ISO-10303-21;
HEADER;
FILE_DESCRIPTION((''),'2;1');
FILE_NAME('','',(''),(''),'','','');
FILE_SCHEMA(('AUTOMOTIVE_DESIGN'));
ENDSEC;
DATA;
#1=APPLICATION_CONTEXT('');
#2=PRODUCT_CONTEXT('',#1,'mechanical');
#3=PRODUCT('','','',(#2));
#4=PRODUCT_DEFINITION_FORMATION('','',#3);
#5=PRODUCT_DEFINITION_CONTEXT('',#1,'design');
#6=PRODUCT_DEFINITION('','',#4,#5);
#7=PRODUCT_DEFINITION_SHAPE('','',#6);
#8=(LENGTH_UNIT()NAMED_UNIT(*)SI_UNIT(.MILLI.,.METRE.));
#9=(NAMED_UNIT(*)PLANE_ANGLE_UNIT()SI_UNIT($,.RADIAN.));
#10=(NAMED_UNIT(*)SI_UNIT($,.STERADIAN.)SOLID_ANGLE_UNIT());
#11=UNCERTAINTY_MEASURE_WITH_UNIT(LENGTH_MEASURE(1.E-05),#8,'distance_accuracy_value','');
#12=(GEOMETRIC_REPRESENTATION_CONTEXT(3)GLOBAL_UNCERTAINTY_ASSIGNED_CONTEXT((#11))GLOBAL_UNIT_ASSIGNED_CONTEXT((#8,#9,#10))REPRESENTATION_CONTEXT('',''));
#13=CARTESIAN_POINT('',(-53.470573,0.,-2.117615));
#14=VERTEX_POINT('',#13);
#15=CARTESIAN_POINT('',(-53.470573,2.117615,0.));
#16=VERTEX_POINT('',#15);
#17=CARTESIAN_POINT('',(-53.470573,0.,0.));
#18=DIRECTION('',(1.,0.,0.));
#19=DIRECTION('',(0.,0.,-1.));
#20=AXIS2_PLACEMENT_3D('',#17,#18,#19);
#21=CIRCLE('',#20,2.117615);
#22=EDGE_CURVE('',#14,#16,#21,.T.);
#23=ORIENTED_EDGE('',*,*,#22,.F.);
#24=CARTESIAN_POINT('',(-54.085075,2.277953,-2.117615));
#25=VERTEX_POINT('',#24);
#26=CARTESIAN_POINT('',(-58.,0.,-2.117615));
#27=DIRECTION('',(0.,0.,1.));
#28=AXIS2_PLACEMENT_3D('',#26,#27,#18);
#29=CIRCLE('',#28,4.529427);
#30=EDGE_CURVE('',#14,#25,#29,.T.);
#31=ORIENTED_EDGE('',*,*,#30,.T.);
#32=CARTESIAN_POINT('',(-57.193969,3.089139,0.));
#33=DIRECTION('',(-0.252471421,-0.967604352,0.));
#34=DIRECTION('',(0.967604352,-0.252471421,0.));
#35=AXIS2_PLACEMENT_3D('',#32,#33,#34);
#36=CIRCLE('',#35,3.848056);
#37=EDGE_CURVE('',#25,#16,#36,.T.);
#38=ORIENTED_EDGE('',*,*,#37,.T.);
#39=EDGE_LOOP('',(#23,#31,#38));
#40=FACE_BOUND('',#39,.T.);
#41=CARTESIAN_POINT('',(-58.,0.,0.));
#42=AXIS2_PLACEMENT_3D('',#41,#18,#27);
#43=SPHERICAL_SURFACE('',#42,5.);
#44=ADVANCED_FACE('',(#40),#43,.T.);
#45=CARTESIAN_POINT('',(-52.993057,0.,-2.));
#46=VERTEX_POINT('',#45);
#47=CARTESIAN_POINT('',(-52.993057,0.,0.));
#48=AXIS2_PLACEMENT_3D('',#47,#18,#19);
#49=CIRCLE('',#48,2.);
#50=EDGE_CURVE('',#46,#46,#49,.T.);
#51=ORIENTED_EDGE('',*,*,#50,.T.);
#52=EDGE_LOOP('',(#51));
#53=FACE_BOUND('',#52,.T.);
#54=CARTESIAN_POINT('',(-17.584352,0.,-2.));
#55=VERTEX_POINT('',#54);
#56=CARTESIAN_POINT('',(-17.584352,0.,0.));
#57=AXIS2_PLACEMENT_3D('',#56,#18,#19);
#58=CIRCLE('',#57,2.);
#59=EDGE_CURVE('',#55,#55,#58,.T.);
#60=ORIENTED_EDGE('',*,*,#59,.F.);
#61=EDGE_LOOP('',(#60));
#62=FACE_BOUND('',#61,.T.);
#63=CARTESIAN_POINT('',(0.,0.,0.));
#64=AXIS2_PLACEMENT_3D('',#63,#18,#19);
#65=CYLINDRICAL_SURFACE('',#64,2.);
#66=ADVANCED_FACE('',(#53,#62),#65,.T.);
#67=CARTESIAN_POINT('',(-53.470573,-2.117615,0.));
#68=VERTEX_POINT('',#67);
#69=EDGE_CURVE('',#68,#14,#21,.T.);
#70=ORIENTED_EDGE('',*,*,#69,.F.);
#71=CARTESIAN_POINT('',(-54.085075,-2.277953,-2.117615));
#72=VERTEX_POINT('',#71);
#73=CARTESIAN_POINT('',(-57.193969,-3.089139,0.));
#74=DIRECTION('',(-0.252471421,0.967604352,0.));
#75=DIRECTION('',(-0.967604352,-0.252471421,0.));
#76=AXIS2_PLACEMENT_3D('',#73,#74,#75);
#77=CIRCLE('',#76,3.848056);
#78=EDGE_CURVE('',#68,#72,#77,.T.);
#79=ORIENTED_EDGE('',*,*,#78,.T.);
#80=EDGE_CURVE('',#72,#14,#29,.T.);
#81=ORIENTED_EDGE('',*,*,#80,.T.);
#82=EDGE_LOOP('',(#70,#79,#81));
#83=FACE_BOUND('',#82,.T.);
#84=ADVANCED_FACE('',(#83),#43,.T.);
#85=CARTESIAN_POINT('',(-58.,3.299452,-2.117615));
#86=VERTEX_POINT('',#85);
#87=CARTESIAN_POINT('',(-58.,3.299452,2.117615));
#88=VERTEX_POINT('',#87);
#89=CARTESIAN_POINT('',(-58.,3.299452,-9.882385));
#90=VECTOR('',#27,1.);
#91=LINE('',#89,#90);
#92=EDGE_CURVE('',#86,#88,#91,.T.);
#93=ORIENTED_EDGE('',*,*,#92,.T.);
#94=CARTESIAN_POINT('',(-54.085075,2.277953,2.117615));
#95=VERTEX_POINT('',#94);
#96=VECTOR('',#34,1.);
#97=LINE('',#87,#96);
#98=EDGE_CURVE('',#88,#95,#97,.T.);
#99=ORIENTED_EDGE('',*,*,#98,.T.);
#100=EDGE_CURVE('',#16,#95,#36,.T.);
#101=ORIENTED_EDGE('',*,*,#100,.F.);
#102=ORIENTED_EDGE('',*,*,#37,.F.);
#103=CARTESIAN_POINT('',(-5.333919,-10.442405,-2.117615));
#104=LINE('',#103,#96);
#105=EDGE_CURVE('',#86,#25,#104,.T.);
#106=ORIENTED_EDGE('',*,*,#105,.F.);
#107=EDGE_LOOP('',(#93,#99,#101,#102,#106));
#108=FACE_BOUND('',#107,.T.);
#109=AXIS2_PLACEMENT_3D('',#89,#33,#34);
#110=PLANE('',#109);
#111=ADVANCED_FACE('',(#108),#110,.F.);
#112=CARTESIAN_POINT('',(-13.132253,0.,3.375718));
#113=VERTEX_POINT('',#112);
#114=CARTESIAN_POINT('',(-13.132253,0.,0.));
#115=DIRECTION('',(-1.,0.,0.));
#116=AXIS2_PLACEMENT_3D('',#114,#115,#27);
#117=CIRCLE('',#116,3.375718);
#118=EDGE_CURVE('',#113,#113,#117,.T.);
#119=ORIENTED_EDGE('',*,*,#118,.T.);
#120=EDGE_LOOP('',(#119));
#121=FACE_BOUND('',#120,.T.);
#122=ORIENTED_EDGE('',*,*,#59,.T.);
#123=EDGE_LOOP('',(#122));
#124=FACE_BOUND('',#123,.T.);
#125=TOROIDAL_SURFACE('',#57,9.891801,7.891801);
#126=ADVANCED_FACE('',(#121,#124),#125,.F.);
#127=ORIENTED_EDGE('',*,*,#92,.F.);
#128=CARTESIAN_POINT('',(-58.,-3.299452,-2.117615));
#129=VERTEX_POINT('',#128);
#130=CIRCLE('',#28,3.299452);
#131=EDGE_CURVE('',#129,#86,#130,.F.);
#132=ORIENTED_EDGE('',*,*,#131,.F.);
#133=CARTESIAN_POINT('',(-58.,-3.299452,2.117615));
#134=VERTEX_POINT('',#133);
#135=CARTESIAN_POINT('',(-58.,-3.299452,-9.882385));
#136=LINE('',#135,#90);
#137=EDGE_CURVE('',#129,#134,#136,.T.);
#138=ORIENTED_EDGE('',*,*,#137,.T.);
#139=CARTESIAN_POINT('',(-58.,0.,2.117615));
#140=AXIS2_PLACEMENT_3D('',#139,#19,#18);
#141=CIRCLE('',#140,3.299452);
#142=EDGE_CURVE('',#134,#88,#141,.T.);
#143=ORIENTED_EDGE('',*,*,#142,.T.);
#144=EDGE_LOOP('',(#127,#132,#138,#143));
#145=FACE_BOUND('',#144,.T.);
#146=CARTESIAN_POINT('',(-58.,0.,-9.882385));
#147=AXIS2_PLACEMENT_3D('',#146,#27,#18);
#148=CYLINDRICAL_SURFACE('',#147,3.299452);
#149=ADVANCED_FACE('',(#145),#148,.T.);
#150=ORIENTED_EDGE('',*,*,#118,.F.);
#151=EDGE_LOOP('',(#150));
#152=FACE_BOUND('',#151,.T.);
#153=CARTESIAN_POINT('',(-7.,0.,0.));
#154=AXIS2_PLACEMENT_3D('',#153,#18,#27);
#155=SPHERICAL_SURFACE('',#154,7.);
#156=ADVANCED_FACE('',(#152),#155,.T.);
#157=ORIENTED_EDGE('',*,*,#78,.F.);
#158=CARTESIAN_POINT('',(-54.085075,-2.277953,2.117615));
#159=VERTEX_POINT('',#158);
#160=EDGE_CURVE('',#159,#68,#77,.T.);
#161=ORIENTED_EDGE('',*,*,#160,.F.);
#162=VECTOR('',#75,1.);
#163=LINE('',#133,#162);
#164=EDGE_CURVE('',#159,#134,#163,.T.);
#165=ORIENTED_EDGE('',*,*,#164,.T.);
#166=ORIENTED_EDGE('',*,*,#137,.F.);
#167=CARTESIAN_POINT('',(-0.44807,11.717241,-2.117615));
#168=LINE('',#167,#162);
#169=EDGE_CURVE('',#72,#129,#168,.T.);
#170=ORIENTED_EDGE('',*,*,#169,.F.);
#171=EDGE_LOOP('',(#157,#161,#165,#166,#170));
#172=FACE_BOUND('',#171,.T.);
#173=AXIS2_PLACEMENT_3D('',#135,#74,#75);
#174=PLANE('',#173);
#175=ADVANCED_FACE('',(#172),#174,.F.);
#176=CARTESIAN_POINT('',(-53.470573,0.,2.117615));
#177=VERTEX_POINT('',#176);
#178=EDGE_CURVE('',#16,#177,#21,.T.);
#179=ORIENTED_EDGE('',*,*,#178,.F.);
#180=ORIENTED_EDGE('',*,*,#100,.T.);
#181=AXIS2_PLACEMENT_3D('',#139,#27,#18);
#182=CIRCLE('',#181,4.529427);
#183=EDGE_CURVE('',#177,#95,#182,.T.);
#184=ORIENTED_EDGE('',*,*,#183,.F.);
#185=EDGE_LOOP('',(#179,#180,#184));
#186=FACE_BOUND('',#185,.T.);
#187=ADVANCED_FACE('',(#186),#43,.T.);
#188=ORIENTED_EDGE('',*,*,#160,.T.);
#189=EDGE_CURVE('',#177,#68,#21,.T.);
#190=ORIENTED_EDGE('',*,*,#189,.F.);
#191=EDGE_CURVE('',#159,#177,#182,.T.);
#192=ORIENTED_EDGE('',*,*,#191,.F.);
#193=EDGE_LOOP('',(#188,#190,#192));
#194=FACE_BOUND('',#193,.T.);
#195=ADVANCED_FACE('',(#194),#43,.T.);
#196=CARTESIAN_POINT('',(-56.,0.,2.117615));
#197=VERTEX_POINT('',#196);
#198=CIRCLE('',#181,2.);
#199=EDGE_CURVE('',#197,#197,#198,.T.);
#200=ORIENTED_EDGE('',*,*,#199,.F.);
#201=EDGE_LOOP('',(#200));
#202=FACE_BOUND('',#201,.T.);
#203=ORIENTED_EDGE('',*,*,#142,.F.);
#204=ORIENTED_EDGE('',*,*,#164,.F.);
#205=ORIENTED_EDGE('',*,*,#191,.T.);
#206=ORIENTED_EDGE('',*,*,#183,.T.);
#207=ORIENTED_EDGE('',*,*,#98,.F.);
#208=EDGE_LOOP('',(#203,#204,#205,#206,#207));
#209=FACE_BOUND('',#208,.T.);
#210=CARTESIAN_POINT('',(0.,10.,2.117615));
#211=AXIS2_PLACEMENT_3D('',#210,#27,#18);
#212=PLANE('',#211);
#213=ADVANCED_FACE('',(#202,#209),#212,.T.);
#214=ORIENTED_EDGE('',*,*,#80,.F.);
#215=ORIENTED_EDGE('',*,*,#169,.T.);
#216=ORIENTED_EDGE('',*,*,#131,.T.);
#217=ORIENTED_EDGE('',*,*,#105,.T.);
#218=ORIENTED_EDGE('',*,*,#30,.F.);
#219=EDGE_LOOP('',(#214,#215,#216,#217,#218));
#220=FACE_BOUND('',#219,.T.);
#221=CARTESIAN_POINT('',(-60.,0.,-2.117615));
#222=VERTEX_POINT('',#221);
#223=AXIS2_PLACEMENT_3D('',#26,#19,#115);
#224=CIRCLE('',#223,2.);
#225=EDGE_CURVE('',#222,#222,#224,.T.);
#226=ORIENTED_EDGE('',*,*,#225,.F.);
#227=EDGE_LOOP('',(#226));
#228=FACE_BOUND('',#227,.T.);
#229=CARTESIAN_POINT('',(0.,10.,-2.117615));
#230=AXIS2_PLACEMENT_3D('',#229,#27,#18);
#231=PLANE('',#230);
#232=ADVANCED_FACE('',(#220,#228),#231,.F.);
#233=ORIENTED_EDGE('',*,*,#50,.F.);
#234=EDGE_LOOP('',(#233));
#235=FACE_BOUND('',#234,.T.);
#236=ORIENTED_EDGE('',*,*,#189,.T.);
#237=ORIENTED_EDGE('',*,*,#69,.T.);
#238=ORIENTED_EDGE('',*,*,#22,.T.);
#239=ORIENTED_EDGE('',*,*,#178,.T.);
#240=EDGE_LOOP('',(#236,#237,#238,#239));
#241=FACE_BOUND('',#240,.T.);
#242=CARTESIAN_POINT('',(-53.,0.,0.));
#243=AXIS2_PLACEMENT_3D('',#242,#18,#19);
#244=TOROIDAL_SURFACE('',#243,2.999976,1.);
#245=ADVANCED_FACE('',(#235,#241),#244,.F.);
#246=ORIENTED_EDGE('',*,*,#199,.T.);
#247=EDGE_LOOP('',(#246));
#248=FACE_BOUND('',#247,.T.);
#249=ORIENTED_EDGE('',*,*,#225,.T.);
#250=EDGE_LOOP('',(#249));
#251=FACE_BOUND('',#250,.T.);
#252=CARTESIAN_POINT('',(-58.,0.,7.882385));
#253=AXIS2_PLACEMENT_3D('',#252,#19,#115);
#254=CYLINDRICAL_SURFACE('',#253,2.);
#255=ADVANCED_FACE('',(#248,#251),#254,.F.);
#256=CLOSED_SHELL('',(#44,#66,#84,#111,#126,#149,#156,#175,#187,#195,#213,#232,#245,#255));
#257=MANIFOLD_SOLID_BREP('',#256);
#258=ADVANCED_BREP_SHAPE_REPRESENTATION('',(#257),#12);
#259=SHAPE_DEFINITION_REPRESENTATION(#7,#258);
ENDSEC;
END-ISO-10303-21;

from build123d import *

# Parameters (mm, degrees)
CORTAR_EXTRUIR1_DEPTH      = 10
CORTAR_EXTRUIR1_DEPTH_BACK = 10
CROQUIS3_W                 = 10.64526068670476
CROQUIS3_H                 = 3.3994785725990075
CROQUIS4_R                 = 2.000000000000003
CORTAR_EXTRUIR2_DEPTH      = 10
CORTAR_EXTRUIR3_DEPTH      = 12


with BuildPart() as part:
    # Croquis1 → Revolución1 (revolve)
    with BuildSketch(Plane(origin=(0, 0, 0), x_dir=(1, 0, 0), z_dir=(0, 1, 0))):
        with BuildLine():
            Line((0, 0), (-14, 0))
            ThreePointArc((-14, 0), (-7.000000000000001, -7), (0, 0))
        make_face()
    revolve(axis=Axis((0, 0, 0), (-1, 0, 0)))

    # Croquis2 → Revolución2 (revolve)
    with BuildSketch(Plane(origin=(0, 0, 0), x_dir=(1, 0, 0), z_dir=(0, 1, 0))):
        with BuildLine():
            Line((-14, 0), (-63, -7.72e-15))
            ThreePointArc((-63, -7.72e-15), (-59.08463499046059, -4.880939145028195), (-53.47057322501258, -2.117614953202559))
            ThreePointArc((-53.47057322501258, -2.117614953202559), (-53.239158217402505, -2.028995288641408), (-52.99305737642324, -2.0000000000000018))
            Line((-52.99305737642324, -2.0000000000000018), (-17.584352216063312, -2.0000000000000018))
            ThreePointArc((-17.584352216063312, -2.0000000000000018), (-15.254449379168335, -2.3517694688151263), (-13.132252927177912, -3.3757182994316812))
            Line((-13.132252927177912, -3.3757182994316812), (-14, 0))
        make_face()
    revolve(axis=Axis((0, 0, 0), (-1, 0, 0)))

    # Croquis3 → Cortar-Extruir1 (cut, two sides: drawn at the far end of the back side and taken through both)
    with BuildSketch(Plane(origin=(0, 0, 0), x_dir=(1, 0, 0), z_dir=(0, 1, 0)).offset(-CORTAR_EXTRUIR1_DEPTH_BACK)):
        with Locations((-58.793203568364966, 3.8173542395020648)):
            Rectangle(CROQUIS3_W, CROQUIS3_H)
        Polygon((-53.470573225012586, -5.334174428303361), (-53.470573225012586, -2.1176149532025623), (-64.11583391171735, -2.1176149532025637), (-64.11583391171735, -5.334174428303361), align=None)
    extrude(amount=CORTAR_EXTRUIR1_DEPTH + CORTAR_EXTRUIR1_DEPTH_BACK, mode=Mode.SUBTRACT)

    # Croquis4 → Cortar-Extruir2 (cut)
    with BuildSketch(Plane(origin=(0, 0, -2.117614953202561), x_dir=(-1, 0, 0), z_dir=(0, 0, -1))):
        with Locations((58, 0)):
            Circle(CROQUIS4_R)
    extrude(amount=-CORTAR_EXTRUIR2_DEPTH, mode=Mode.SUBTRACT)

    # Croquis5 → Cortar-Extruir3 (cut)
    with BuildSketch(Plane.XY.offset(2.1176149532025557)):
        with BuildLine():
            Line((-58, -3.2994521483388315), (-53.470573225012586, -2.1176149532025605))
            ThreePointArc((-53.470573225012586, -2.1176149532025605), (-63, -3.83e-15), (-53.470573225012586, 2.117614953202569))
            Line((-53.470573225012586, 2.117614953202569), (-58, 3.2994521483388315))
            ThreePointArc((-58, 3.2994521483388315), (-61.29945214833883, 4e-16), (-58, -3.2994521483388315))
        make_face()
    extrude(amount=-CORTAR_EXTRUIR3_DEPTH, mode=Mode.SUBTRACT)


solid = part.part
